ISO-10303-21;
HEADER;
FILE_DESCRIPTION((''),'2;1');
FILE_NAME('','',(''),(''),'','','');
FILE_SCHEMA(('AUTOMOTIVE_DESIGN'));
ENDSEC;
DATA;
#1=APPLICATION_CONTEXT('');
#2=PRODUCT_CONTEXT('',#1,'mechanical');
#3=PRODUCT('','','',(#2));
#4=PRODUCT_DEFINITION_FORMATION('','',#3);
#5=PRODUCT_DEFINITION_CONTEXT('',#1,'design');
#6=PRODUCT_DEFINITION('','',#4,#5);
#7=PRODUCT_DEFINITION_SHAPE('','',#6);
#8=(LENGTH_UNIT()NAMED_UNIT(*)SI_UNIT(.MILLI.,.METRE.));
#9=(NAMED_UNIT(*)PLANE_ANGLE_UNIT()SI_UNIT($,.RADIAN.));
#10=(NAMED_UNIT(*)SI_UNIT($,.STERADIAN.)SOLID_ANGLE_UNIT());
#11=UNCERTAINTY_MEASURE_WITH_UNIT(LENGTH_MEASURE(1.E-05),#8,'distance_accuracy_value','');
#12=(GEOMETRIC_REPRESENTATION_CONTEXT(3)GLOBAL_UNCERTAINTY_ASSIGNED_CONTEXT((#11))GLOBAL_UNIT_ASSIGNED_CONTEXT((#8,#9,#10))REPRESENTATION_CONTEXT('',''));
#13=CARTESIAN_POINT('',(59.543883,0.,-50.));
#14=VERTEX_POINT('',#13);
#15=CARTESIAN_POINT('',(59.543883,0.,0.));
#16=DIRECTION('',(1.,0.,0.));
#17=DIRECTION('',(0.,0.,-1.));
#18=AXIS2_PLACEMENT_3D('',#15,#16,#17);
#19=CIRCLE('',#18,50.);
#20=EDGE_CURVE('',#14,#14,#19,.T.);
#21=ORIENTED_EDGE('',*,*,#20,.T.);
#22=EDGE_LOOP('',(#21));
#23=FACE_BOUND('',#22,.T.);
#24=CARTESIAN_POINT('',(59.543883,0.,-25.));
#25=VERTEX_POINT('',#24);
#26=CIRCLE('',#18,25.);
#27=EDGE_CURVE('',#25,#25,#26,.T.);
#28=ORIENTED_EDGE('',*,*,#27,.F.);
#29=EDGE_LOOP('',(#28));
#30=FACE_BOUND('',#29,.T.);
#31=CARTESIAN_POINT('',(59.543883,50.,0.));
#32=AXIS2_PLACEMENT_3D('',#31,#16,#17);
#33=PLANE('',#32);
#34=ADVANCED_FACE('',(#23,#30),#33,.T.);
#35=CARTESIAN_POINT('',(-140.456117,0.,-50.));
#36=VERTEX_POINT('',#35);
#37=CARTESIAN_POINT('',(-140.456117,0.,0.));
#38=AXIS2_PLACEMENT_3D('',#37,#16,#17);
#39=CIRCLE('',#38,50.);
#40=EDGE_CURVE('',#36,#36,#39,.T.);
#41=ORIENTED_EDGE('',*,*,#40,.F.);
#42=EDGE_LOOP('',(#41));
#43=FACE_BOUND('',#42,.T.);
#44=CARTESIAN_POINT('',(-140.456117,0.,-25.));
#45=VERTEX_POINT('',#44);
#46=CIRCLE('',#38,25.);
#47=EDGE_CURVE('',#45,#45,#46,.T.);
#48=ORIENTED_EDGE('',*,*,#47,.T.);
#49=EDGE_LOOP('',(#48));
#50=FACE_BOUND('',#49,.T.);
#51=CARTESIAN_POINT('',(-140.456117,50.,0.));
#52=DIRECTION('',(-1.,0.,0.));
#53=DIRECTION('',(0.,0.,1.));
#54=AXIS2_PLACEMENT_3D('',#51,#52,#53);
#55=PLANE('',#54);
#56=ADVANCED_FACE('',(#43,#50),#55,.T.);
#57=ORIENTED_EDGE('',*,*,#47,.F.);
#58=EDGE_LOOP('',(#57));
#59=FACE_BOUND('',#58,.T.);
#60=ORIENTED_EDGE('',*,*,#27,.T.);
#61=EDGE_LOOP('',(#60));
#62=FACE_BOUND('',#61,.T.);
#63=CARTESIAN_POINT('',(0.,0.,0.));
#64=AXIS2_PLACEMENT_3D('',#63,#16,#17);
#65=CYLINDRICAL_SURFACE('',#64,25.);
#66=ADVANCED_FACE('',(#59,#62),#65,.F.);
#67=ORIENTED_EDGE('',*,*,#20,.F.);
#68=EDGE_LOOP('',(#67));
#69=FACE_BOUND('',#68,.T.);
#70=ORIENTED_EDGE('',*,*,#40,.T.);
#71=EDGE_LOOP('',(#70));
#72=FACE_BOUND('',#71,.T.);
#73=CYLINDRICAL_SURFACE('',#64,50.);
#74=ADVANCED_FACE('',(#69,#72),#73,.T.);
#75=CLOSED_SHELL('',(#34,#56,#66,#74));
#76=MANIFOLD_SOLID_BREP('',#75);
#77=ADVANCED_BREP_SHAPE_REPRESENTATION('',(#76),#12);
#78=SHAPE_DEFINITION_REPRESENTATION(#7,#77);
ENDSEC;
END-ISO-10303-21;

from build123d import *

# Parameters (mm, degrees)
SKETCH1_W = 200
SKETCH1_H = 25


with BuildPart() as part:
    # Sketch1 → Revolve1 (revolve)
    with BuildSketch(Plane.XY):
        with Locations((-40.456117376, 37.5)):
            Rectangle(SKETCH1_W, SKETCH1_H)
    revolve(axis=Axis((0, 0, 0), (-1, 0, 0)))


solid = part.part
